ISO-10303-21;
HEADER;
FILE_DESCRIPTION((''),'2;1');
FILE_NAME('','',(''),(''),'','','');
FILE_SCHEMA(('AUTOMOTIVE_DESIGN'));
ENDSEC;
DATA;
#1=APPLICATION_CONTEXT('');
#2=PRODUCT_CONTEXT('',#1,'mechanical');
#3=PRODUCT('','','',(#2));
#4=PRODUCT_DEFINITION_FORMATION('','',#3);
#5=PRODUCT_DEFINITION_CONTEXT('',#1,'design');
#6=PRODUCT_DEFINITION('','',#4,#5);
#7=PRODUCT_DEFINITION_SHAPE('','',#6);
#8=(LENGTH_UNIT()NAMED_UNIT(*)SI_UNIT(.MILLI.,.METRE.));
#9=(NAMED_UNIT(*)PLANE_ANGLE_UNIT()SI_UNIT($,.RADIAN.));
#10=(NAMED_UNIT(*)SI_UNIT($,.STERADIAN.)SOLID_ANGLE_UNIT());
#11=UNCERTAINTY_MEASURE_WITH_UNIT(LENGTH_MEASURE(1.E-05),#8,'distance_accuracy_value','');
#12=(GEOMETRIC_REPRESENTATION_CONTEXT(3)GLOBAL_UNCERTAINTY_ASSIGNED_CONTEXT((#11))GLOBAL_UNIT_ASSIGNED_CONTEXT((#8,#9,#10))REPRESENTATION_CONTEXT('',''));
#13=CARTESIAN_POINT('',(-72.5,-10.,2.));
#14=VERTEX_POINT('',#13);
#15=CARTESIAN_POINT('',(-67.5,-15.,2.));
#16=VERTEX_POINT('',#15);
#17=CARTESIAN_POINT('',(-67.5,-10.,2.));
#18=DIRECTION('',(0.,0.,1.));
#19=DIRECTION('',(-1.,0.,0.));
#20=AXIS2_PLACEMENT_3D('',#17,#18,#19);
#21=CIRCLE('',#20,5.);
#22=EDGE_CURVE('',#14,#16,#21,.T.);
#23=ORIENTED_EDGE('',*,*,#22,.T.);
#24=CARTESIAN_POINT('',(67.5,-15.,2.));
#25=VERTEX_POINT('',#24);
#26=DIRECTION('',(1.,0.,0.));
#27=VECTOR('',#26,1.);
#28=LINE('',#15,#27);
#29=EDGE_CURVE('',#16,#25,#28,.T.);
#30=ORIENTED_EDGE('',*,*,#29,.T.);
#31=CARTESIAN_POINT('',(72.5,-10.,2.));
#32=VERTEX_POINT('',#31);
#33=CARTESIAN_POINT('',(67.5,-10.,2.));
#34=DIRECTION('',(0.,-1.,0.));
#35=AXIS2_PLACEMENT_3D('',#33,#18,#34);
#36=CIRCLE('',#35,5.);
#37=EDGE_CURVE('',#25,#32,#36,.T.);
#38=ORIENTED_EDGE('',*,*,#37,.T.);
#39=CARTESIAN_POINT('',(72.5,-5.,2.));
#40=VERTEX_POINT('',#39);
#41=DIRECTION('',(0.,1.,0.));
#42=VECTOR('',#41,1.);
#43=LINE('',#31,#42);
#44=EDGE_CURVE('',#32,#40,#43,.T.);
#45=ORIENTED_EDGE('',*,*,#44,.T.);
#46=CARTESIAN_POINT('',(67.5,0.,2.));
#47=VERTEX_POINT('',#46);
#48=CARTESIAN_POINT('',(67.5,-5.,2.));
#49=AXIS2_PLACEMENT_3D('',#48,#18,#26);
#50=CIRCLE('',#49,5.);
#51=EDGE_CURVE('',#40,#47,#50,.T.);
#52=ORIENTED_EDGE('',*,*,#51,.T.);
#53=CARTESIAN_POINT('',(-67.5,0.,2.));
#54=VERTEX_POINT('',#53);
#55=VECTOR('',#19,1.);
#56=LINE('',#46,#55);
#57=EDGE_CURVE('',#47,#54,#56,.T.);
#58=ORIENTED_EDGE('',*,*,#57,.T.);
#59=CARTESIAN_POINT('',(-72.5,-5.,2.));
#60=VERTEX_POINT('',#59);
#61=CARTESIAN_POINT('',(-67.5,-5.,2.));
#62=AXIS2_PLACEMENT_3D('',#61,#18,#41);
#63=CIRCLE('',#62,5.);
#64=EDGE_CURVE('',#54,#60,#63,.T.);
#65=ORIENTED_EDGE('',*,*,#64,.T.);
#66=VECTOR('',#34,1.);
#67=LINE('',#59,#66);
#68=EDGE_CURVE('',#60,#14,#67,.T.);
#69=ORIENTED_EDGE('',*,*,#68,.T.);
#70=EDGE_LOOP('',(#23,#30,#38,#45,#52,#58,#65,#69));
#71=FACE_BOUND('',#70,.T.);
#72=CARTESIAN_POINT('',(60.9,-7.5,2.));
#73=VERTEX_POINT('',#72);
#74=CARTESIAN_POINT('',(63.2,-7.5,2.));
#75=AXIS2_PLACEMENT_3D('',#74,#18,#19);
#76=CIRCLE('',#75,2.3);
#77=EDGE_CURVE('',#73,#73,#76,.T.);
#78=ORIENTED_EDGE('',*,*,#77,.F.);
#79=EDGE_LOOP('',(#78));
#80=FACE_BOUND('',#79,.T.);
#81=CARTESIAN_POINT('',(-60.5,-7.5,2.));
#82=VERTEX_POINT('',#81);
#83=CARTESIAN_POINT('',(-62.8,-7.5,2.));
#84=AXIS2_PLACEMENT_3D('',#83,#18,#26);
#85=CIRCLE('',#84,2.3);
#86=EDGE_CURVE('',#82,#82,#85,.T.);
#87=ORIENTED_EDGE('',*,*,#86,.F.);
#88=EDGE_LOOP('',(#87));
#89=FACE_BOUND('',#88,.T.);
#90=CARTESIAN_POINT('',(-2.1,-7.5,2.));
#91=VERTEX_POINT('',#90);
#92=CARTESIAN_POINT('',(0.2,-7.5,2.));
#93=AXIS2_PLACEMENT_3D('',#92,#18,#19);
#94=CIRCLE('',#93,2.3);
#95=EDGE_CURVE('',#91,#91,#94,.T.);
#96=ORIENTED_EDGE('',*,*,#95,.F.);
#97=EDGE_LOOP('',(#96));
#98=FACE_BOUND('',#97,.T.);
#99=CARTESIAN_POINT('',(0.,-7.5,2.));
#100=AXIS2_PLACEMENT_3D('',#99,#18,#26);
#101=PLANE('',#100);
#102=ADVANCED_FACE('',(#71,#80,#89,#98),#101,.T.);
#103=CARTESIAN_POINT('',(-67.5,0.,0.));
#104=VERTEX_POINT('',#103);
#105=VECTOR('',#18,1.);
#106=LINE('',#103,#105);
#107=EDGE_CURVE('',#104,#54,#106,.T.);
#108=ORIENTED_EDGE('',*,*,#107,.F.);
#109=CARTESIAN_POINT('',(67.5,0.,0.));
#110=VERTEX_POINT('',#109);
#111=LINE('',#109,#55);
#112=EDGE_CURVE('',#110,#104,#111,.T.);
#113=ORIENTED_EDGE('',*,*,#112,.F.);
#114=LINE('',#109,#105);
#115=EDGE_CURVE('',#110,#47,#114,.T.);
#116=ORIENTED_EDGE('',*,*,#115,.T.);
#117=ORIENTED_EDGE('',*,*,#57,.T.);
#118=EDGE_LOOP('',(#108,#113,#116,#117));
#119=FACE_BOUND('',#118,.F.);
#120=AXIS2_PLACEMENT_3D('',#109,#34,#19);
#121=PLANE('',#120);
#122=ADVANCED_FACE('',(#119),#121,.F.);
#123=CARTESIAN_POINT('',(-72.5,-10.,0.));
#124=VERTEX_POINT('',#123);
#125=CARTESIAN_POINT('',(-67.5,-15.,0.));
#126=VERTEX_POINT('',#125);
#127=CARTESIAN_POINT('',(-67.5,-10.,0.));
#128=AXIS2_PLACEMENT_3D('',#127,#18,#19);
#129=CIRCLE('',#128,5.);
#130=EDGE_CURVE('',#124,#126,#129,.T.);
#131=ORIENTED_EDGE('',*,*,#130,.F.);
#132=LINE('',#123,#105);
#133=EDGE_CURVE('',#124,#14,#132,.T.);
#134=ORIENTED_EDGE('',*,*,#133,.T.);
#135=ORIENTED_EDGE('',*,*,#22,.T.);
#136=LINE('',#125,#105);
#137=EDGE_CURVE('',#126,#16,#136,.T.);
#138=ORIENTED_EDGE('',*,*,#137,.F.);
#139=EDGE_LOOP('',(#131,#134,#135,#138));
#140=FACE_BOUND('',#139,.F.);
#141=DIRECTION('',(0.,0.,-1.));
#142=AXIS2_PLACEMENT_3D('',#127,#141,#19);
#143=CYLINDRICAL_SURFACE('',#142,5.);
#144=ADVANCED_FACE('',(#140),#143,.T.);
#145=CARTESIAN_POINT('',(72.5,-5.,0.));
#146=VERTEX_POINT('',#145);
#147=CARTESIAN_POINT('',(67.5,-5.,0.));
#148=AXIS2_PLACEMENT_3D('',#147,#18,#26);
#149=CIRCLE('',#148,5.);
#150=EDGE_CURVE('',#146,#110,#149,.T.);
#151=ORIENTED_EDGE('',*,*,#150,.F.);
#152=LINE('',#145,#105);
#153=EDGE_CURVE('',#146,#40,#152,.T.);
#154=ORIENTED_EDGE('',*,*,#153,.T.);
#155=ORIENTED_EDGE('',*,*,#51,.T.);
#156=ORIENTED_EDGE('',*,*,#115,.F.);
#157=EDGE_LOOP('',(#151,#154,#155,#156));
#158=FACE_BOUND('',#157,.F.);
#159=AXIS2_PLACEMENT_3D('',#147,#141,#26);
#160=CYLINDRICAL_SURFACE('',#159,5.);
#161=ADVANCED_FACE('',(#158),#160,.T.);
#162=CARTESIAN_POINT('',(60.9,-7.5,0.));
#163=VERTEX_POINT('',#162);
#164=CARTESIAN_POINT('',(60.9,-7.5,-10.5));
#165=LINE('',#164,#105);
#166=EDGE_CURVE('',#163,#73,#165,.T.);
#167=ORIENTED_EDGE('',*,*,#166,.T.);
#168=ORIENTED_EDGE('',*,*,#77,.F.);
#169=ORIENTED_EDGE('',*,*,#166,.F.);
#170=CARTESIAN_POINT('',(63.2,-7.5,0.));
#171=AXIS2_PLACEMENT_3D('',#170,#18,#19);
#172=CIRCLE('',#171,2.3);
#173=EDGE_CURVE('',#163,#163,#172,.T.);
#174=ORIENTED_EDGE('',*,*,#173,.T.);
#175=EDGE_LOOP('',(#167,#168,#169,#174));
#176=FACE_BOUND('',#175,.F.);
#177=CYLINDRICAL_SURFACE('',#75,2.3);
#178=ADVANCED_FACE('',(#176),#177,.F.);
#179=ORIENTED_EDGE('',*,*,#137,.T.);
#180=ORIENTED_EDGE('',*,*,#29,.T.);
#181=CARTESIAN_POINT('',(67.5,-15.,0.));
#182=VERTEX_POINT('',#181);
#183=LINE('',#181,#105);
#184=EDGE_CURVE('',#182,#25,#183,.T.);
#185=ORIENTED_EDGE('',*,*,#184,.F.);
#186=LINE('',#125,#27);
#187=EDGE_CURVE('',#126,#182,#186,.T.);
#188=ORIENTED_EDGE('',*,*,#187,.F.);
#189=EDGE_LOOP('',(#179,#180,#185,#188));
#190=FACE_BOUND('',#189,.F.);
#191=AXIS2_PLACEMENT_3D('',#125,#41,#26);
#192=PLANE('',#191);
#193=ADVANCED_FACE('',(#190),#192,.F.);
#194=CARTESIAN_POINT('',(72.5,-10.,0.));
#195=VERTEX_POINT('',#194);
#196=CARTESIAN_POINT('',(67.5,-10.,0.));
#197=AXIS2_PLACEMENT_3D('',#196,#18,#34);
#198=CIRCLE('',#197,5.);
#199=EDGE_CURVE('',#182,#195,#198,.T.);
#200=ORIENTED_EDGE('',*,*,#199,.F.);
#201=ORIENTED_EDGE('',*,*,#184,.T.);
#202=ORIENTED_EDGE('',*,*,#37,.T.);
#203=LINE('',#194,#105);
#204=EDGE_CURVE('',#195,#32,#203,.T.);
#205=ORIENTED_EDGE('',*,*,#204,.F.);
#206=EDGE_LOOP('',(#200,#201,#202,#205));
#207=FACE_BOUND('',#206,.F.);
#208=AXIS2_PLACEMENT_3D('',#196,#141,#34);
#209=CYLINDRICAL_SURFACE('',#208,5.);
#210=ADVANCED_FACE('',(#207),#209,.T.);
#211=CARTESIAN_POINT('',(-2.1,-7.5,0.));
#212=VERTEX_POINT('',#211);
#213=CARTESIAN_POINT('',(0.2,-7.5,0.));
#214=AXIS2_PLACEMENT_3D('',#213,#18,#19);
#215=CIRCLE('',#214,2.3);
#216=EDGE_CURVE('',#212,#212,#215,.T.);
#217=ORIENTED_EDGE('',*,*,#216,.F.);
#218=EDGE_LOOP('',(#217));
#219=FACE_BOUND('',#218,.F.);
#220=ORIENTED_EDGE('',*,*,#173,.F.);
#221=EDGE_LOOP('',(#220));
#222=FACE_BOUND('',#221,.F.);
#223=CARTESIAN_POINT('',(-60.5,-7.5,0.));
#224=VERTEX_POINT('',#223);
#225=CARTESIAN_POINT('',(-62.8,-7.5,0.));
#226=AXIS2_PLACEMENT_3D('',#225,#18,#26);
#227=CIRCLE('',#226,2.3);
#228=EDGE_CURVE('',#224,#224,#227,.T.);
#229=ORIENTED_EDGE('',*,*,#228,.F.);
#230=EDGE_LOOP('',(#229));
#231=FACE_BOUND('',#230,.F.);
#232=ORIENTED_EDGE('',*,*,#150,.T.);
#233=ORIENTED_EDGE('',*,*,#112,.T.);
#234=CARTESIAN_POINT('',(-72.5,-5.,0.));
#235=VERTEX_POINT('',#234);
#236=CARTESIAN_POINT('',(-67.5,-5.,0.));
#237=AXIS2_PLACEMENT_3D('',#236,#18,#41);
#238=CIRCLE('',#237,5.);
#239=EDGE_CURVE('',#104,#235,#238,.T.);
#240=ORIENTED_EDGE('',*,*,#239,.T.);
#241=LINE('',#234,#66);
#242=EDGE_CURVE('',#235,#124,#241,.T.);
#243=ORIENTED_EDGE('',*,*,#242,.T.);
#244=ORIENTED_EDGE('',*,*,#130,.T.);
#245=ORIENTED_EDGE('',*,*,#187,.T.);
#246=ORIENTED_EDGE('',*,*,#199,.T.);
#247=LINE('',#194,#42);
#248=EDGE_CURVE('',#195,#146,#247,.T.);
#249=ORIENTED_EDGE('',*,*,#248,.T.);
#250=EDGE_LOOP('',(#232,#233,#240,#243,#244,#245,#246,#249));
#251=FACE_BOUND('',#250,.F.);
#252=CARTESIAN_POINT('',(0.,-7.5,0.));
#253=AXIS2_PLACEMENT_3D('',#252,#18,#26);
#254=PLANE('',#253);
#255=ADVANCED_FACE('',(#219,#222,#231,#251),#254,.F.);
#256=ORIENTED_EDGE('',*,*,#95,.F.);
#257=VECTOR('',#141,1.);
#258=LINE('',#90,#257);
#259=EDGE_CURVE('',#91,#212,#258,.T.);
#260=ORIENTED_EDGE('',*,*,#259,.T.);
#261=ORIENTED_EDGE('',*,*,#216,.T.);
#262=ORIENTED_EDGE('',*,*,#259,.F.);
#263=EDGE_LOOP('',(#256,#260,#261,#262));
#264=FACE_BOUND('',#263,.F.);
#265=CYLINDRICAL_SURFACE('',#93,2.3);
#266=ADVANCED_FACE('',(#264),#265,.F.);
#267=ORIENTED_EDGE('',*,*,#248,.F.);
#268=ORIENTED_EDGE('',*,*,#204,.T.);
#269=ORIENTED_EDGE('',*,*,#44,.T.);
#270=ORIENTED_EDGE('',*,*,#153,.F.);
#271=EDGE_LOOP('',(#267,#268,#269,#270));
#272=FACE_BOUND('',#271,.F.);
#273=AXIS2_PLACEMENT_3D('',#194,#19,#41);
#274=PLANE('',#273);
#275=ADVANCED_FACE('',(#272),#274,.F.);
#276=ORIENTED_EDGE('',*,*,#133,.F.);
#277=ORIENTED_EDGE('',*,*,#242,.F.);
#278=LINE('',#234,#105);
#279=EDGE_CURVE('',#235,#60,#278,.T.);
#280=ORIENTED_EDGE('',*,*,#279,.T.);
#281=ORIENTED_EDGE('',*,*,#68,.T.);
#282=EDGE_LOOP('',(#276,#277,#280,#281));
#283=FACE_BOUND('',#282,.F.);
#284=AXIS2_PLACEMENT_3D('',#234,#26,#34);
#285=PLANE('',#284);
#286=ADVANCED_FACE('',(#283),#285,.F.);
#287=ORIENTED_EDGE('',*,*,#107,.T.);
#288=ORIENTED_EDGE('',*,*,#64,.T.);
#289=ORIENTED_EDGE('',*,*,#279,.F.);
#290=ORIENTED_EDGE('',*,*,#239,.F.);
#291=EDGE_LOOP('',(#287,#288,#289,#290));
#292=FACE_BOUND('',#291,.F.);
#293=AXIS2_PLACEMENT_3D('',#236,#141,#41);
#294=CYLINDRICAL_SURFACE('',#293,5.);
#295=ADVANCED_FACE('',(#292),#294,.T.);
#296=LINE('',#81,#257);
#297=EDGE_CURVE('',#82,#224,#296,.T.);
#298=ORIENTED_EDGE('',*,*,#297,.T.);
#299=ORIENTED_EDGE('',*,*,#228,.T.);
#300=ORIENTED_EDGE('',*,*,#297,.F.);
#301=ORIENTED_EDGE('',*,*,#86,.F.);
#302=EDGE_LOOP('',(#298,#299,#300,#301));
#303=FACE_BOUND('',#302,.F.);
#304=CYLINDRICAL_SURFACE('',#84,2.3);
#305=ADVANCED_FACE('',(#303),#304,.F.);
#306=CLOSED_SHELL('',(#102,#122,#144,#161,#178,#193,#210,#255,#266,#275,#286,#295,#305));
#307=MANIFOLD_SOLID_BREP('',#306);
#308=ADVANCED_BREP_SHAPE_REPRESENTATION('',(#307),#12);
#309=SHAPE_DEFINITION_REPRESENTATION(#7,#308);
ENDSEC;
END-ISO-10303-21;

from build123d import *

# Parameters (mm, degrees)
F1_DEPTH = 2
F3_DEPTH = 12.5


with BuildPart() as f1:
    # F0 (on Top) → F1 (new body)
    with BuildSketch(Plane.XY):
        with BuildLine():
            Line((67.5, 0), (-67.5, 0))
            ThreePointArc((-67.5, 0), (-71.0355339059, -1.4644660941), (-72.5, -5))
            Line((-72.5, -5), (-72.5, -10))
            ThreePointArc((-72.5, -10), (-71.0355339059, -13.5355339059), (-67.5, -15))
            Line((-67.5, -15), (67.5, -15))
            ThreePointArc((67.5, -15), (71.0355339059, -13.5355339059), (72.5, -10))
            Line((72.5, -10), (72.5, -5))
            ThreePointArc((72.5, -5), (71.0355339059, -1.4644660941), (67.5, 0))
        make_face()
    extrude(amount=F1_DEPTH)

    # F2 (on face) → F3 (cut, symmetric)
    with BuildSketch(Plane.XY.offset(2)):
        with BuildLine():
            Line((-62.8, -7.5), (-65.1, -7.5))
            ThreePointArc((-65.1, -7.5), (-62.8, -9.8), (-60.5, -7.5))
            Line((-60.5, -7.5), (-62.8, -7.5))
        make_face()
        with BuildLine():
            ThreePointArc((-60.5, -7.5), (-62.8, -5.2), (-65.1, -7.5))
            Line((-65.1, -7.5), (-62.8, -7.5))
            Line((-62.8, -7.5), (-60.5, -7.5))
        make_face()
        with BuildLine():
            ThreePointArc((2.5, -7.5), (0.2, -5.2), (-2.1, -7.5))
            Line((-2.1, -7.5), (0.2, -7.5))
            Line((0.2, -7.5), (2.5, -7.5))
        make_face()
        with BuildLine():
            Line((0.2, -7.5), (-2.1, -7.5))
            ThreePointArc((-2.1, -7.5), (0.2, -9.8), (2.5, -7.5))
            Line((2.5, -7.5), (0.2, -7.5))
        make_face()
        with BuildLine():
            ThreePointArc((65.5, -7.5), (63.2, -5.2), (60.9, -7.5))
            ThreePointArc((60.9, -7.5), (63.2, -9.8), (65.5, -7.5))
        make_face()
    extrude(amount=F3_DEPTH, both=True, mode=Mode.SUBTRACT)


solid = f1.part
